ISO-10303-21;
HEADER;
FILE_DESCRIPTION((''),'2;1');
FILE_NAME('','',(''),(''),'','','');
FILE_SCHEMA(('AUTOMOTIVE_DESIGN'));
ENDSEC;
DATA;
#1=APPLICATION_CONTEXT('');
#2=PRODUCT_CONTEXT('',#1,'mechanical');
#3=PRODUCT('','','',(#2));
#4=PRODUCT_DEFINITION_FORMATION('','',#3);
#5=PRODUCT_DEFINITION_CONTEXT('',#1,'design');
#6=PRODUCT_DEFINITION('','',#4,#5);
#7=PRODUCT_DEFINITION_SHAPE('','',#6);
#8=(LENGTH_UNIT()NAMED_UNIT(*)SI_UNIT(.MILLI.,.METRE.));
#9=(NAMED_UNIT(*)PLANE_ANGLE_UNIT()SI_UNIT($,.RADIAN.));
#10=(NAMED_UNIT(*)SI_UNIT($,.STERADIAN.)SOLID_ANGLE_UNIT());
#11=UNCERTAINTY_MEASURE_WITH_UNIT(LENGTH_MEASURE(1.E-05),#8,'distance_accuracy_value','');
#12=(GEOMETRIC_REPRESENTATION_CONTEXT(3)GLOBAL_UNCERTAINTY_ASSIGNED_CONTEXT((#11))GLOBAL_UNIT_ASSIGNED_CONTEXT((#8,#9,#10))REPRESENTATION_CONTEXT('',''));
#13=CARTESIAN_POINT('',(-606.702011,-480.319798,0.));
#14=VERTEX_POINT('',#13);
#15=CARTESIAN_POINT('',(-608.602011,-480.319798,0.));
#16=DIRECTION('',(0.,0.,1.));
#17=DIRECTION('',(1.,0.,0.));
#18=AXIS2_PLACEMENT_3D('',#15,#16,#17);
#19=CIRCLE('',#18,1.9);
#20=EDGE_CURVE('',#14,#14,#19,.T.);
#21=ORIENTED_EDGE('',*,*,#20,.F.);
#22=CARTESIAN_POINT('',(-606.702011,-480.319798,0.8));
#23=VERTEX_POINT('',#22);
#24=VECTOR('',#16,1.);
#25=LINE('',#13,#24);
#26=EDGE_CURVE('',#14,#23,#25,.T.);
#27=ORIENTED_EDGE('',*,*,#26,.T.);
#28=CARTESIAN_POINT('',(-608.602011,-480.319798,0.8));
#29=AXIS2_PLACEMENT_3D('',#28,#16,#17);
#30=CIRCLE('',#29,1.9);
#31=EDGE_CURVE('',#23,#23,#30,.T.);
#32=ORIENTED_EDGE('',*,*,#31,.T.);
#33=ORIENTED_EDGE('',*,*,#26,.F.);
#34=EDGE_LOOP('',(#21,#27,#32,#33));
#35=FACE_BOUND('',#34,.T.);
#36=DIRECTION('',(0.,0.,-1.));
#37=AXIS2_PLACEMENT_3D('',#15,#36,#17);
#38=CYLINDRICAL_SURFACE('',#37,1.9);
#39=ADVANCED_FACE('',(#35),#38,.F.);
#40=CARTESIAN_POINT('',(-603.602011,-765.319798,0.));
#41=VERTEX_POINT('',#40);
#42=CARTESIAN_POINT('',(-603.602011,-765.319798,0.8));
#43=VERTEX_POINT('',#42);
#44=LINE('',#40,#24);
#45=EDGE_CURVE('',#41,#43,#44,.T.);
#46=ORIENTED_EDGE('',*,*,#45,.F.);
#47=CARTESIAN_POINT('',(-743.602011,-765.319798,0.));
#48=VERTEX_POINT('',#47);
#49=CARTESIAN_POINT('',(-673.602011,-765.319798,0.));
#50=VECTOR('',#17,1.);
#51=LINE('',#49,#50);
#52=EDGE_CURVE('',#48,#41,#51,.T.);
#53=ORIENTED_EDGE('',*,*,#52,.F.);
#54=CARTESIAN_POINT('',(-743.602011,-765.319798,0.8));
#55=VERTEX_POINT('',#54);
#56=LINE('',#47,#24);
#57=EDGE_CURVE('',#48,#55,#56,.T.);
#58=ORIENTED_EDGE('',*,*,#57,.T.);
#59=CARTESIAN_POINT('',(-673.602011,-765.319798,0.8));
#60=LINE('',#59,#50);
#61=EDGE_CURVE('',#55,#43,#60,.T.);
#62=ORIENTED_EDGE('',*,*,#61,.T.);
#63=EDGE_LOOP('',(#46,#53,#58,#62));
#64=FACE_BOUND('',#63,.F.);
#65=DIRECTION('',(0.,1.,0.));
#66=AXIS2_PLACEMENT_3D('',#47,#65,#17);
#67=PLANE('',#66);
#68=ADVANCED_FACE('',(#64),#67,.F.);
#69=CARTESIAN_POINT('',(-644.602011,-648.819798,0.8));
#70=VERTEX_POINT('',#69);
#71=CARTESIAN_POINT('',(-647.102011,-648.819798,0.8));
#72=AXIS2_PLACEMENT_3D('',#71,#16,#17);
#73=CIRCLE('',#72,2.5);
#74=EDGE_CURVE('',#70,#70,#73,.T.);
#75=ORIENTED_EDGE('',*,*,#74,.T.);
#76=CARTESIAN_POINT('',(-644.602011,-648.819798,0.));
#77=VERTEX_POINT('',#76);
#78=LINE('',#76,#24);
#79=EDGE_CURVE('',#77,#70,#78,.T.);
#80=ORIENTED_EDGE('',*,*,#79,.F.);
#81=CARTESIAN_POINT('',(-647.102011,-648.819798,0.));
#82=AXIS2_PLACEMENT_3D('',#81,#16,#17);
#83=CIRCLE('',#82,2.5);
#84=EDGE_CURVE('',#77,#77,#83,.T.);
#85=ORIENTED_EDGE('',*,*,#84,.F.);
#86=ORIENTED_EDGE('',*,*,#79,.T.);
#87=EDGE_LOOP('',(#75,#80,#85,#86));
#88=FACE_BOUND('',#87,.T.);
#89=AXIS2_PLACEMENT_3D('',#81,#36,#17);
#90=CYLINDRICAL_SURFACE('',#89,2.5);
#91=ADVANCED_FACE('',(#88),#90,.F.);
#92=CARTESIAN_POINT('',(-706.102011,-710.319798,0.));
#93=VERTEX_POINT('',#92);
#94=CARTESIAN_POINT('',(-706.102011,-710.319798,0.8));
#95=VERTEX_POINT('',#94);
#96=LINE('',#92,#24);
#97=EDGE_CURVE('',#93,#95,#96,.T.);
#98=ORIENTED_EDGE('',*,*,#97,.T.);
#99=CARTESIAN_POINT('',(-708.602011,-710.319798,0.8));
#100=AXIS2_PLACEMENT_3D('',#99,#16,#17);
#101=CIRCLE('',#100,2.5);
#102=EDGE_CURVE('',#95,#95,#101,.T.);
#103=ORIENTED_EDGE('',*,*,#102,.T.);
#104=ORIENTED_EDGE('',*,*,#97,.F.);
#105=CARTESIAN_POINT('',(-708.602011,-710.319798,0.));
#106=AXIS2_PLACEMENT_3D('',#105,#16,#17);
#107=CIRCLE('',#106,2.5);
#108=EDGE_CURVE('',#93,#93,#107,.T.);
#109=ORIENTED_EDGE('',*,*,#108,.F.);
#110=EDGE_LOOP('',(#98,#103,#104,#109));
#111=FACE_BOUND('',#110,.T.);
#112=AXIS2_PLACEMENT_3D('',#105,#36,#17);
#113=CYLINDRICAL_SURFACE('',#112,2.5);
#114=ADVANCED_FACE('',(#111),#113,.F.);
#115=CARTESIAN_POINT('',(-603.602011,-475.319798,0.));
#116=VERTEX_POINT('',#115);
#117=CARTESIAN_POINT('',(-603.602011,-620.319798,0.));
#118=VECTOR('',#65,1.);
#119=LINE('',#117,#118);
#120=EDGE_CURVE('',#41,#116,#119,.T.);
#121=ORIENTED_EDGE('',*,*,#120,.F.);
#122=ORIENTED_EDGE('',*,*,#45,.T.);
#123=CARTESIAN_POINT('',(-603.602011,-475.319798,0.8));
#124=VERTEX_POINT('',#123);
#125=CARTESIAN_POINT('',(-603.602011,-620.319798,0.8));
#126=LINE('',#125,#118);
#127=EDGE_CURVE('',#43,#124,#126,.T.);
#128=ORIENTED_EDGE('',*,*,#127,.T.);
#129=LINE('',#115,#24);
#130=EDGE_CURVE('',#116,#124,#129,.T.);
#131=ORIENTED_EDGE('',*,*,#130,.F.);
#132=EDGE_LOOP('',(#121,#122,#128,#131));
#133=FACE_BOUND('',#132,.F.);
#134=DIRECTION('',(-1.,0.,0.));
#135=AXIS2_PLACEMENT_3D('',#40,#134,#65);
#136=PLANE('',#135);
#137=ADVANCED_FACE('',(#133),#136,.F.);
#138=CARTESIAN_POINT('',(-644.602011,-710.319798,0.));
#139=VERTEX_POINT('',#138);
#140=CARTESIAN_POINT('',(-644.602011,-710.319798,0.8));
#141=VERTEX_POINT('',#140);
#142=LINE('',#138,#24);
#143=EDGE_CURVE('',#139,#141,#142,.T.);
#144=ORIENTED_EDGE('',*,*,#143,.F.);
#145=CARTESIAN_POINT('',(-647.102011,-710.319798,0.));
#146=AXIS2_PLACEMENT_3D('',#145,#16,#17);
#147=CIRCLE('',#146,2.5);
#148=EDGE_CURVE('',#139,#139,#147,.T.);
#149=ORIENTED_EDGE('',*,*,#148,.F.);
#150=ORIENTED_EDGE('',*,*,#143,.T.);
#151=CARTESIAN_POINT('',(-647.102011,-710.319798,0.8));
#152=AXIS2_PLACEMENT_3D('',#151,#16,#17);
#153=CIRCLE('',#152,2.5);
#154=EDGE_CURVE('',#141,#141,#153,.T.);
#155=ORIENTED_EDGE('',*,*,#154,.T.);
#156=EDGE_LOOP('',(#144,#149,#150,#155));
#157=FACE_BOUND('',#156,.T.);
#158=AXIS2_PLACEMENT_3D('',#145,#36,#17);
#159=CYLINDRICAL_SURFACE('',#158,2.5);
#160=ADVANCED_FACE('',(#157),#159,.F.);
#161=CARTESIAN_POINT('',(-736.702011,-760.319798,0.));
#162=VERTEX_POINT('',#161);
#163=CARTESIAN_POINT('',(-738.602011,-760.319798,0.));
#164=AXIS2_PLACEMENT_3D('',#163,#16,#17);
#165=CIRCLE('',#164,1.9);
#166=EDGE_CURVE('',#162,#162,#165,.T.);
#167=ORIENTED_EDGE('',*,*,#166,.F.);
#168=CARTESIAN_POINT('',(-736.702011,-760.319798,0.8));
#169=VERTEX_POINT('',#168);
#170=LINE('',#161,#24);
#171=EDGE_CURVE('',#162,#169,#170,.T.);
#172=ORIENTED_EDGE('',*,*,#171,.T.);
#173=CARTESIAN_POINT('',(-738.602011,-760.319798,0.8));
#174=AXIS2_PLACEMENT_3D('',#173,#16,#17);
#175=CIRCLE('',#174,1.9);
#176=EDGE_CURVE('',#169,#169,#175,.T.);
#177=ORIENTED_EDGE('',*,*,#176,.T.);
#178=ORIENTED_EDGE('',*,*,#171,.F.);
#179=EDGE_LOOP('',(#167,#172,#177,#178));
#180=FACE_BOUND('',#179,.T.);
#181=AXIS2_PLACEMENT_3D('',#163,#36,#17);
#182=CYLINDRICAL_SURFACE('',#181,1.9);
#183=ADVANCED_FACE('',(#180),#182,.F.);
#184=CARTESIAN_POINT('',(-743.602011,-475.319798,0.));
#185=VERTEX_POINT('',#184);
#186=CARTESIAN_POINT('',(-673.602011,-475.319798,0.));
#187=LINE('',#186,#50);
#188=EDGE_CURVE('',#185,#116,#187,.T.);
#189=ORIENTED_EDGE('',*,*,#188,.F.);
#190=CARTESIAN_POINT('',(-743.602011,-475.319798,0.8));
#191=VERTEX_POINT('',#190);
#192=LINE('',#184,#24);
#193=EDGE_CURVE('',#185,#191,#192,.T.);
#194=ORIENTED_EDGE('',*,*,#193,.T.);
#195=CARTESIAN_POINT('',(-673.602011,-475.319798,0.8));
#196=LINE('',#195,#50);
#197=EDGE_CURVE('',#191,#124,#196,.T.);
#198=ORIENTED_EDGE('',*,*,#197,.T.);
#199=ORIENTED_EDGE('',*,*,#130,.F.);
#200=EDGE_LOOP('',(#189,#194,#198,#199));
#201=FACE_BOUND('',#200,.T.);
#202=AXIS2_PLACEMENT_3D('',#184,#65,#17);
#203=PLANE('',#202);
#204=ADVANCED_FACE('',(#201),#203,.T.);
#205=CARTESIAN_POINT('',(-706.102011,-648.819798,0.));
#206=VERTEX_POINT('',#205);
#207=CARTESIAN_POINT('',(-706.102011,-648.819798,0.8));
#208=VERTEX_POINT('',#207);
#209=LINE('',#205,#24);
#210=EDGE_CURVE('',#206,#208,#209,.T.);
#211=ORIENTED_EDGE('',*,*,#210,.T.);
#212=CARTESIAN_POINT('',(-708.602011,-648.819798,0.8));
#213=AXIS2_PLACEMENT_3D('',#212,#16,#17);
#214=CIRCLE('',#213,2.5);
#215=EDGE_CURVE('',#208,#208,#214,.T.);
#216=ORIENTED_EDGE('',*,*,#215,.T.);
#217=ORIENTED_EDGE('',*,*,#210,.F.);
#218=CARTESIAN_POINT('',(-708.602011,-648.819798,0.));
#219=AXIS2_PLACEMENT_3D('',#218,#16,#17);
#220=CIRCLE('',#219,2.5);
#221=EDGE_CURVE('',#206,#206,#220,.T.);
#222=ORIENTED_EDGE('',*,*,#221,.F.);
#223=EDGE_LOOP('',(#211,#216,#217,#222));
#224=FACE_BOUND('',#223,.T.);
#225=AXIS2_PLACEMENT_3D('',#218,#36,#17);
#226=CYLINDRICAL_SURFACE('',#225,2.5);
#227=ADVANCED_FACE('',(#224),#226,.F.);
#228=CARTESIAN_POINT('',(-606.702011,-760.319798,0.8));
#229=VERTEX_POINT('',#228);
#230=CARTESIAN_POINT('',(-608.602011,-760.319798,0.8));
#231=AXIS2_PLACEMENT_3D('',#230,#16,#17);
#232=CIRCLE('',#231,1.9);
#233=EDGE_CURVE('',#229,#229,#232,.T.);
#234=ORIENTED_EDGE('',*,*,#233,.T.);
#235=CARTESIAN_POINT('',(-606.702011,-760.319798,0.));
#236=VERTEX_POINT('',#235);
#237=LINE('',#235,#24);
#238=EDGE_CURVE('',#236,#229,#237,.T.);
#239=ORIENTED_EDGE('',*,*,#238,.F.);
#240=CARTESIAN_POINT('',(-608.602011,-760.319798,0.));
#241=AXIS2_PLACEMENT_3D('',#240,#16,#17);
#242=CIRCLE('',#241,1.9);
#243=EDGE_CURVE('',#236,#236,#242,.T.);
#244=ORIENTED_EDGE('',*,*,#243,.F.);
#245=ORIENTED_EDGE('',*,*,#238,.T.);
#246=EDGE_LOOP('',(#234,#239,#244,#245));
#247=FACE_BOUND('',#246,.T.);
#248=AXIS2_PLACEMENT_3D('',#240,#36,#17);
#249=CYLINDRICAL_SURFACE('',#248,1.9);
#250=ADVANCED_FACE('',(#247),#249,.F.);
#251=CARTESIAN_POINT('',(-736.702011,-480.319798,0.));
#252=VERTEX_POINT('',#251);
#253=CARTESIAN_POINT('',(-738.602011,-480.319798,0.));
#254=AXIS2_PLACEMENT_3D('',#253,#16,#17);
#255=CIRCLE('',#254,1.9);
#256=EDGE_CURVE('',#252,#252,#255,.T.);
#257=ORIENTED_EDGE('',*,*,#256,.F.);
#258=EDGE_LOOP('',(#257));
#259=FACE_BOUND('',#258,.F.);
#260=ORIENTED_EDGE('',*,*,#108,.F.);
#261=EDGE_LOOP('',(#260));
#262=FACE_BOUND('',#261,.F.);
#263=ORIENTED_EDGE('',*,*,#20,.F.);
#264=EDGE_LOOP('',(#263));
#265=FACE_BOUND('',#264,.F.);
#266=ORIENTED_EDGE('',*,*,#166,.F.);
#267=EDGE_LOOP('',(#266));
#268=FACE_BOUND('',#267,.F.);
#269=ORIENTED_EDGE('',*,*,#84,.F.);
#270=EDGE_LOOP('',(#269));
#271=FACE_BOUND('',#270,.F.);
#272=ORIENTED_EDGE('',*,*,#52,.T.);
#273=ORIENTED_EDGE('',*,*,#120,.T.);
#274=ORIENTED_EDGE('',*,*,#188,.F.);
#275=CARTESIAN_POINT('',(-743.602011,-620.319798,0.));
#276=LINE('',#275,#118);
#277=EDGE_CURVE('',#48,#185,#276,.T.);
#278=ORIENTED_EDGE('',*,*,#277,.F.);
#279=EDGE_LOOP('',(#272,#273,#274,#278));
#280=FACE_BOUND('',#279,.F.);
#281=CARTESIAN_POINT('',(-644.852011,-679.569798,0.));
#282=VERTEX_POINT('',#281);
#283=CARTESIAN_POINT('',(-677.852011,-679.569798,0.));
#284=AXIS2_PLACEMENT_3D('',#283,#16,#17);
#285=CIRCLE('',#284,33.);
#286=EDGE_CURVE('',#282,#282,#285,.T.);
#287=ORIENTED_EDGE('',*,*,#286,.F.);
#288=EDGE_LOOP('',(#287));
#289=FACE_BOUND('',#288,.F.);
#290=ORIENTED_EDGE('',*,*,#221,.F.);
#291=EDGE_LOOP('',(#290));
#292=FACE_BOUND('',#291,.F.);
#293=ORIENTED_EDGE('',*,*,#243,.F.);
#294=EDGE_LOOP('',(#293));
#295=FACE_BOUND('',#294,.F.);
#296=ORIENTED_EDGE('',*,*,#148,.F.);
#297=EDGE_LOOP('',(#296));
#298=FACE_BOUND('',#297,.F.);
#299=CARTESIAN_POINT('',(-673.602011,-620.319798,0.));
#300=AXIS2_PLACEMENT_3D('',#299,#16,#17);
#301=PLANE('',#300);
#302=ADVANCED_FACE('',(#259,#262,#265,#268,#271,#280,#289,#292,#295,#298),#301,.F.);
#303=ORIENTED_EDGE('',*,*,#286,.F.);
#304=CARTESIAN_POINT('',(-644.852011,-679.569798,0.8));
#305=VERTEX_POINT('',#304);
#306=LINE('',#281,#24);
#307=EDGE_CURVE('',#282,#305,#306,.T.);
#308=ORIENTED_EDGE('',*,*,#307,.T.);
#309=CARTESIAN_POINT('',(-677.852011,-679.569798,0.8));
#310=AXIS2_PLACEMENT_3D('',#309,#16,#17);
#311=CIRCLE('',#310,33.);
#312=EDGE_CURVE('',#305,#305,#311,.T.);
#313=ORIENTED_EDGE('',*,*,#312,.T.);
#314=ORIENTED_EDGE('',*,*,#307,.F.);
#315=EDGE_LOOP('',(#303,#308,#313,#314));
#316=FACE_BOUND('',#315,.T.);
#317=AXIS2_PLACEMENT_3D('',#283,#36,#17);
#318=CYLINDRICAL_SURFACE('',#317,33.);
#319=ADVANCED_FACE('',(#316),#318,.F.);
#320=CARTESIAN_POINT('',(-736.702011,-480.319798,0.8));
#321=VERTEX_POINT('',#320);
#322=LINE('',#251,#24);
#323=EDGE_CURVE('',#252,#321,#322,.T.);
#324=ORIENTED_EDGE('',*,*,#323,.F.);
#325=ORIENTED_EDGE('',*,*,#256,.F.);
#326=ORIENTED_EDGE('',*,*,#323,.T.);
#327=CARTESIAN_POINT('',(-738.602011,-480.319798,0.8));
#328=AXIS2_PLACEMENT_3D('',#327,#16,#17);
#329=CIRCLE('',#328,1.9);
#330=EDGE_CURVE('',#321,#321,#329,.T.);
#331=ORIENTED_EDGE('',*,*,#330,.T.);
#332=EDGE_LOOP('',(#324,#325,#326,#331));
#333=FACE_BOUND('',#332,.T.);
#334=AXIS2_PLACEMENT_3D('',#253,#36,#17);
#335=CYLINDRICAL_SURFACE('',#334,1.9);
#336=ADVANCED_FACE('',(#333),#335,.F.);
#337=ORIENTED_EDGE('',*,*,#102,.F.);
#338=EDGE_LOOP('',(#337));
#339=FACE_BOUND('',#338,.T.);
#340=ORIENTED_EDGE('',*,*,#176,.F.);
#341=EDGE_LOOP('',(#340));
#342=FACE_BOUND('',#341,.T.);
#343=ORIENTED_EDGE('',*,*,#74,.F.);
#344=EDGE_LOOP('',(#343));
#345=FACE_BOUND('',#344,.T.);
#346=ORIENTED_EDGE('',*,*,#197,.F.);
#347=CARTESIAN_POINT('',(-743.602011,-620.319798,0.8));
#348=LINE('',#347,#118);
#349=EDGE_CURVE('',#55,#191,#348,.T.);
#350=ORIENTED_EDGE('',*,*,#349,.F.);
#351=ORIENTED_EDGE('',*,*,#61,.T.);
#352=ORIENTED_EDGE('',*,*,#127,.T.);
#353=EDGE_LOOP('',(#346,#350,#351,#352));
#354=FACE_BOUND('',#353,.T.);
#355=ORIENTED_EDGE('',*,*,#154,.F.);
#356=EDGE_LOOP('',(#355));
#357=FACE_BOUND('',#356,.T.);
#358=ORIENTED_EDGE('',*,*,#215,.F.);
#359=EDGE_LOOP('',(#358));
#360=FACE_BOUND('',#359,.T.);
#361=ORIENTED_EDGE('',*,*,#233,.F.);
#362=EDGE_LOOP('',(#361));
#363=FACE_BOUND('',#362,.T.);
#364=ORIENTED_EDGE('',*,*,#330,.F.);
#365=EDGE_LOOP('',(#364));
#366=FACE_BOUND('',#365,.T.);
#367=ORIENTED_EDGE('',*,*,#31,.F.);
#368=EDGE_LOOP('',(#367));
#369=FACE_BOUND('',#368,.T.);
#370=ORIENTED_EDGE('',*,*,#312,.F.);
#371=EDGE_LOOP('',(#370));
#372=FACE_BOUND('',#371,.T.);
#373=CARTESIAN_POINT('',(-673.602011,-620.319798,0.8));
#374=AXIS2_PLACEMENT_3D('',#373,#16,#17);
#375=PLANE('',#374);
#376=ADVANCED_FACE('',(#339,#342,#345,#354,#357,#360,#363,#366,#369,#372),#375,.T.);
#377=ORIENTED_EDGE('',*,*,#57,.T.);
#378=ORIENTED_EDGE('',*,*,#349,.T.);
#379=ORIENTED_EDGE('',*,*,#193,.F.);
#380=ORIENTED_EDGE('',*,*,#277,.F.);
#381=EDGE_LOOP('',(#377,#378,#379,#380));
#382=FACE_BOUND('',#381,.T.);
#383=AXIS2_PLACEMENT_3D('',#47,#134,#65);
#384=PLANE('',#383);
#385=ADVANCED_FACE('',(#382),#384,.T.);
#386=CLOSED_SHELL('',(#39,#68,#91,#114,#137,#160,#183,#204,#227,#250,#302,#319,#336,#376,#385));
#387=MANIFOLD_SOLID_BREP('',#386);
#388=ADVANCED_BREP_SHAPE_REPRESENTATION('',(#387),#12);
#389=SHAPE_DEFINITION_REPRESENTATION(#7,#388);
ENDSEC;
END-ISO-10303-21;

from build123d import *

# Parameters (mm, degrees)
F0_W     = 140
F0_H     = 290
F0_R     = 1.9
F0_R_2   = 2.5
F0_R_3   = 33
F1_DEPTH = 0.8


with BuildPart() as f1:
    # F0 (on Top) → F1 (new body)
    with BuildSketch(Plane.XY):
        with Locations((-673.602011, -620.319798)):
            Rectangle(F0_W, F0_H)
        with Locations((-738.602011, -760.319798)):
            Circle(F0_R, mode=Mode.SUBTRACT)
        with Locations((-708.602011, -710.319798)):
            Circle(F0_R_2, mode=Mode.SUBTRACT)
        with Locations((-708.602011, -648.819798)):
            Circle(F0_R_2, mode=Mode.SUBTRACT)
        with Locations((-677.852011, -679.569798)):
            Circle(F0_R_3, mode=Mode.SUBTRACT)
        with Locations((-647.102011, -710.319798)):
            Circle(F0_R_2, mode=Mode.SUBTRACT)
        with Locations((-608.602011, -760.319798)):
            Circle(F0_R, mode=Mode.SUBTRACT)
        with Locations((-647.102011, -648.819798)):
            Circle(F0_R_2, mode=Mode.SUBTRACT)
        with Locations((-738.602011, -480.319798)):
            Circle(F0_R, mode=Mode.SUBTRACT)
        with Locations((-608.602011, -480.319798)):
            Circle(F0_R, mode=Mode.SUBTRACT)
    extrude(amount=F1_DEPTH)


solid = f1.part
